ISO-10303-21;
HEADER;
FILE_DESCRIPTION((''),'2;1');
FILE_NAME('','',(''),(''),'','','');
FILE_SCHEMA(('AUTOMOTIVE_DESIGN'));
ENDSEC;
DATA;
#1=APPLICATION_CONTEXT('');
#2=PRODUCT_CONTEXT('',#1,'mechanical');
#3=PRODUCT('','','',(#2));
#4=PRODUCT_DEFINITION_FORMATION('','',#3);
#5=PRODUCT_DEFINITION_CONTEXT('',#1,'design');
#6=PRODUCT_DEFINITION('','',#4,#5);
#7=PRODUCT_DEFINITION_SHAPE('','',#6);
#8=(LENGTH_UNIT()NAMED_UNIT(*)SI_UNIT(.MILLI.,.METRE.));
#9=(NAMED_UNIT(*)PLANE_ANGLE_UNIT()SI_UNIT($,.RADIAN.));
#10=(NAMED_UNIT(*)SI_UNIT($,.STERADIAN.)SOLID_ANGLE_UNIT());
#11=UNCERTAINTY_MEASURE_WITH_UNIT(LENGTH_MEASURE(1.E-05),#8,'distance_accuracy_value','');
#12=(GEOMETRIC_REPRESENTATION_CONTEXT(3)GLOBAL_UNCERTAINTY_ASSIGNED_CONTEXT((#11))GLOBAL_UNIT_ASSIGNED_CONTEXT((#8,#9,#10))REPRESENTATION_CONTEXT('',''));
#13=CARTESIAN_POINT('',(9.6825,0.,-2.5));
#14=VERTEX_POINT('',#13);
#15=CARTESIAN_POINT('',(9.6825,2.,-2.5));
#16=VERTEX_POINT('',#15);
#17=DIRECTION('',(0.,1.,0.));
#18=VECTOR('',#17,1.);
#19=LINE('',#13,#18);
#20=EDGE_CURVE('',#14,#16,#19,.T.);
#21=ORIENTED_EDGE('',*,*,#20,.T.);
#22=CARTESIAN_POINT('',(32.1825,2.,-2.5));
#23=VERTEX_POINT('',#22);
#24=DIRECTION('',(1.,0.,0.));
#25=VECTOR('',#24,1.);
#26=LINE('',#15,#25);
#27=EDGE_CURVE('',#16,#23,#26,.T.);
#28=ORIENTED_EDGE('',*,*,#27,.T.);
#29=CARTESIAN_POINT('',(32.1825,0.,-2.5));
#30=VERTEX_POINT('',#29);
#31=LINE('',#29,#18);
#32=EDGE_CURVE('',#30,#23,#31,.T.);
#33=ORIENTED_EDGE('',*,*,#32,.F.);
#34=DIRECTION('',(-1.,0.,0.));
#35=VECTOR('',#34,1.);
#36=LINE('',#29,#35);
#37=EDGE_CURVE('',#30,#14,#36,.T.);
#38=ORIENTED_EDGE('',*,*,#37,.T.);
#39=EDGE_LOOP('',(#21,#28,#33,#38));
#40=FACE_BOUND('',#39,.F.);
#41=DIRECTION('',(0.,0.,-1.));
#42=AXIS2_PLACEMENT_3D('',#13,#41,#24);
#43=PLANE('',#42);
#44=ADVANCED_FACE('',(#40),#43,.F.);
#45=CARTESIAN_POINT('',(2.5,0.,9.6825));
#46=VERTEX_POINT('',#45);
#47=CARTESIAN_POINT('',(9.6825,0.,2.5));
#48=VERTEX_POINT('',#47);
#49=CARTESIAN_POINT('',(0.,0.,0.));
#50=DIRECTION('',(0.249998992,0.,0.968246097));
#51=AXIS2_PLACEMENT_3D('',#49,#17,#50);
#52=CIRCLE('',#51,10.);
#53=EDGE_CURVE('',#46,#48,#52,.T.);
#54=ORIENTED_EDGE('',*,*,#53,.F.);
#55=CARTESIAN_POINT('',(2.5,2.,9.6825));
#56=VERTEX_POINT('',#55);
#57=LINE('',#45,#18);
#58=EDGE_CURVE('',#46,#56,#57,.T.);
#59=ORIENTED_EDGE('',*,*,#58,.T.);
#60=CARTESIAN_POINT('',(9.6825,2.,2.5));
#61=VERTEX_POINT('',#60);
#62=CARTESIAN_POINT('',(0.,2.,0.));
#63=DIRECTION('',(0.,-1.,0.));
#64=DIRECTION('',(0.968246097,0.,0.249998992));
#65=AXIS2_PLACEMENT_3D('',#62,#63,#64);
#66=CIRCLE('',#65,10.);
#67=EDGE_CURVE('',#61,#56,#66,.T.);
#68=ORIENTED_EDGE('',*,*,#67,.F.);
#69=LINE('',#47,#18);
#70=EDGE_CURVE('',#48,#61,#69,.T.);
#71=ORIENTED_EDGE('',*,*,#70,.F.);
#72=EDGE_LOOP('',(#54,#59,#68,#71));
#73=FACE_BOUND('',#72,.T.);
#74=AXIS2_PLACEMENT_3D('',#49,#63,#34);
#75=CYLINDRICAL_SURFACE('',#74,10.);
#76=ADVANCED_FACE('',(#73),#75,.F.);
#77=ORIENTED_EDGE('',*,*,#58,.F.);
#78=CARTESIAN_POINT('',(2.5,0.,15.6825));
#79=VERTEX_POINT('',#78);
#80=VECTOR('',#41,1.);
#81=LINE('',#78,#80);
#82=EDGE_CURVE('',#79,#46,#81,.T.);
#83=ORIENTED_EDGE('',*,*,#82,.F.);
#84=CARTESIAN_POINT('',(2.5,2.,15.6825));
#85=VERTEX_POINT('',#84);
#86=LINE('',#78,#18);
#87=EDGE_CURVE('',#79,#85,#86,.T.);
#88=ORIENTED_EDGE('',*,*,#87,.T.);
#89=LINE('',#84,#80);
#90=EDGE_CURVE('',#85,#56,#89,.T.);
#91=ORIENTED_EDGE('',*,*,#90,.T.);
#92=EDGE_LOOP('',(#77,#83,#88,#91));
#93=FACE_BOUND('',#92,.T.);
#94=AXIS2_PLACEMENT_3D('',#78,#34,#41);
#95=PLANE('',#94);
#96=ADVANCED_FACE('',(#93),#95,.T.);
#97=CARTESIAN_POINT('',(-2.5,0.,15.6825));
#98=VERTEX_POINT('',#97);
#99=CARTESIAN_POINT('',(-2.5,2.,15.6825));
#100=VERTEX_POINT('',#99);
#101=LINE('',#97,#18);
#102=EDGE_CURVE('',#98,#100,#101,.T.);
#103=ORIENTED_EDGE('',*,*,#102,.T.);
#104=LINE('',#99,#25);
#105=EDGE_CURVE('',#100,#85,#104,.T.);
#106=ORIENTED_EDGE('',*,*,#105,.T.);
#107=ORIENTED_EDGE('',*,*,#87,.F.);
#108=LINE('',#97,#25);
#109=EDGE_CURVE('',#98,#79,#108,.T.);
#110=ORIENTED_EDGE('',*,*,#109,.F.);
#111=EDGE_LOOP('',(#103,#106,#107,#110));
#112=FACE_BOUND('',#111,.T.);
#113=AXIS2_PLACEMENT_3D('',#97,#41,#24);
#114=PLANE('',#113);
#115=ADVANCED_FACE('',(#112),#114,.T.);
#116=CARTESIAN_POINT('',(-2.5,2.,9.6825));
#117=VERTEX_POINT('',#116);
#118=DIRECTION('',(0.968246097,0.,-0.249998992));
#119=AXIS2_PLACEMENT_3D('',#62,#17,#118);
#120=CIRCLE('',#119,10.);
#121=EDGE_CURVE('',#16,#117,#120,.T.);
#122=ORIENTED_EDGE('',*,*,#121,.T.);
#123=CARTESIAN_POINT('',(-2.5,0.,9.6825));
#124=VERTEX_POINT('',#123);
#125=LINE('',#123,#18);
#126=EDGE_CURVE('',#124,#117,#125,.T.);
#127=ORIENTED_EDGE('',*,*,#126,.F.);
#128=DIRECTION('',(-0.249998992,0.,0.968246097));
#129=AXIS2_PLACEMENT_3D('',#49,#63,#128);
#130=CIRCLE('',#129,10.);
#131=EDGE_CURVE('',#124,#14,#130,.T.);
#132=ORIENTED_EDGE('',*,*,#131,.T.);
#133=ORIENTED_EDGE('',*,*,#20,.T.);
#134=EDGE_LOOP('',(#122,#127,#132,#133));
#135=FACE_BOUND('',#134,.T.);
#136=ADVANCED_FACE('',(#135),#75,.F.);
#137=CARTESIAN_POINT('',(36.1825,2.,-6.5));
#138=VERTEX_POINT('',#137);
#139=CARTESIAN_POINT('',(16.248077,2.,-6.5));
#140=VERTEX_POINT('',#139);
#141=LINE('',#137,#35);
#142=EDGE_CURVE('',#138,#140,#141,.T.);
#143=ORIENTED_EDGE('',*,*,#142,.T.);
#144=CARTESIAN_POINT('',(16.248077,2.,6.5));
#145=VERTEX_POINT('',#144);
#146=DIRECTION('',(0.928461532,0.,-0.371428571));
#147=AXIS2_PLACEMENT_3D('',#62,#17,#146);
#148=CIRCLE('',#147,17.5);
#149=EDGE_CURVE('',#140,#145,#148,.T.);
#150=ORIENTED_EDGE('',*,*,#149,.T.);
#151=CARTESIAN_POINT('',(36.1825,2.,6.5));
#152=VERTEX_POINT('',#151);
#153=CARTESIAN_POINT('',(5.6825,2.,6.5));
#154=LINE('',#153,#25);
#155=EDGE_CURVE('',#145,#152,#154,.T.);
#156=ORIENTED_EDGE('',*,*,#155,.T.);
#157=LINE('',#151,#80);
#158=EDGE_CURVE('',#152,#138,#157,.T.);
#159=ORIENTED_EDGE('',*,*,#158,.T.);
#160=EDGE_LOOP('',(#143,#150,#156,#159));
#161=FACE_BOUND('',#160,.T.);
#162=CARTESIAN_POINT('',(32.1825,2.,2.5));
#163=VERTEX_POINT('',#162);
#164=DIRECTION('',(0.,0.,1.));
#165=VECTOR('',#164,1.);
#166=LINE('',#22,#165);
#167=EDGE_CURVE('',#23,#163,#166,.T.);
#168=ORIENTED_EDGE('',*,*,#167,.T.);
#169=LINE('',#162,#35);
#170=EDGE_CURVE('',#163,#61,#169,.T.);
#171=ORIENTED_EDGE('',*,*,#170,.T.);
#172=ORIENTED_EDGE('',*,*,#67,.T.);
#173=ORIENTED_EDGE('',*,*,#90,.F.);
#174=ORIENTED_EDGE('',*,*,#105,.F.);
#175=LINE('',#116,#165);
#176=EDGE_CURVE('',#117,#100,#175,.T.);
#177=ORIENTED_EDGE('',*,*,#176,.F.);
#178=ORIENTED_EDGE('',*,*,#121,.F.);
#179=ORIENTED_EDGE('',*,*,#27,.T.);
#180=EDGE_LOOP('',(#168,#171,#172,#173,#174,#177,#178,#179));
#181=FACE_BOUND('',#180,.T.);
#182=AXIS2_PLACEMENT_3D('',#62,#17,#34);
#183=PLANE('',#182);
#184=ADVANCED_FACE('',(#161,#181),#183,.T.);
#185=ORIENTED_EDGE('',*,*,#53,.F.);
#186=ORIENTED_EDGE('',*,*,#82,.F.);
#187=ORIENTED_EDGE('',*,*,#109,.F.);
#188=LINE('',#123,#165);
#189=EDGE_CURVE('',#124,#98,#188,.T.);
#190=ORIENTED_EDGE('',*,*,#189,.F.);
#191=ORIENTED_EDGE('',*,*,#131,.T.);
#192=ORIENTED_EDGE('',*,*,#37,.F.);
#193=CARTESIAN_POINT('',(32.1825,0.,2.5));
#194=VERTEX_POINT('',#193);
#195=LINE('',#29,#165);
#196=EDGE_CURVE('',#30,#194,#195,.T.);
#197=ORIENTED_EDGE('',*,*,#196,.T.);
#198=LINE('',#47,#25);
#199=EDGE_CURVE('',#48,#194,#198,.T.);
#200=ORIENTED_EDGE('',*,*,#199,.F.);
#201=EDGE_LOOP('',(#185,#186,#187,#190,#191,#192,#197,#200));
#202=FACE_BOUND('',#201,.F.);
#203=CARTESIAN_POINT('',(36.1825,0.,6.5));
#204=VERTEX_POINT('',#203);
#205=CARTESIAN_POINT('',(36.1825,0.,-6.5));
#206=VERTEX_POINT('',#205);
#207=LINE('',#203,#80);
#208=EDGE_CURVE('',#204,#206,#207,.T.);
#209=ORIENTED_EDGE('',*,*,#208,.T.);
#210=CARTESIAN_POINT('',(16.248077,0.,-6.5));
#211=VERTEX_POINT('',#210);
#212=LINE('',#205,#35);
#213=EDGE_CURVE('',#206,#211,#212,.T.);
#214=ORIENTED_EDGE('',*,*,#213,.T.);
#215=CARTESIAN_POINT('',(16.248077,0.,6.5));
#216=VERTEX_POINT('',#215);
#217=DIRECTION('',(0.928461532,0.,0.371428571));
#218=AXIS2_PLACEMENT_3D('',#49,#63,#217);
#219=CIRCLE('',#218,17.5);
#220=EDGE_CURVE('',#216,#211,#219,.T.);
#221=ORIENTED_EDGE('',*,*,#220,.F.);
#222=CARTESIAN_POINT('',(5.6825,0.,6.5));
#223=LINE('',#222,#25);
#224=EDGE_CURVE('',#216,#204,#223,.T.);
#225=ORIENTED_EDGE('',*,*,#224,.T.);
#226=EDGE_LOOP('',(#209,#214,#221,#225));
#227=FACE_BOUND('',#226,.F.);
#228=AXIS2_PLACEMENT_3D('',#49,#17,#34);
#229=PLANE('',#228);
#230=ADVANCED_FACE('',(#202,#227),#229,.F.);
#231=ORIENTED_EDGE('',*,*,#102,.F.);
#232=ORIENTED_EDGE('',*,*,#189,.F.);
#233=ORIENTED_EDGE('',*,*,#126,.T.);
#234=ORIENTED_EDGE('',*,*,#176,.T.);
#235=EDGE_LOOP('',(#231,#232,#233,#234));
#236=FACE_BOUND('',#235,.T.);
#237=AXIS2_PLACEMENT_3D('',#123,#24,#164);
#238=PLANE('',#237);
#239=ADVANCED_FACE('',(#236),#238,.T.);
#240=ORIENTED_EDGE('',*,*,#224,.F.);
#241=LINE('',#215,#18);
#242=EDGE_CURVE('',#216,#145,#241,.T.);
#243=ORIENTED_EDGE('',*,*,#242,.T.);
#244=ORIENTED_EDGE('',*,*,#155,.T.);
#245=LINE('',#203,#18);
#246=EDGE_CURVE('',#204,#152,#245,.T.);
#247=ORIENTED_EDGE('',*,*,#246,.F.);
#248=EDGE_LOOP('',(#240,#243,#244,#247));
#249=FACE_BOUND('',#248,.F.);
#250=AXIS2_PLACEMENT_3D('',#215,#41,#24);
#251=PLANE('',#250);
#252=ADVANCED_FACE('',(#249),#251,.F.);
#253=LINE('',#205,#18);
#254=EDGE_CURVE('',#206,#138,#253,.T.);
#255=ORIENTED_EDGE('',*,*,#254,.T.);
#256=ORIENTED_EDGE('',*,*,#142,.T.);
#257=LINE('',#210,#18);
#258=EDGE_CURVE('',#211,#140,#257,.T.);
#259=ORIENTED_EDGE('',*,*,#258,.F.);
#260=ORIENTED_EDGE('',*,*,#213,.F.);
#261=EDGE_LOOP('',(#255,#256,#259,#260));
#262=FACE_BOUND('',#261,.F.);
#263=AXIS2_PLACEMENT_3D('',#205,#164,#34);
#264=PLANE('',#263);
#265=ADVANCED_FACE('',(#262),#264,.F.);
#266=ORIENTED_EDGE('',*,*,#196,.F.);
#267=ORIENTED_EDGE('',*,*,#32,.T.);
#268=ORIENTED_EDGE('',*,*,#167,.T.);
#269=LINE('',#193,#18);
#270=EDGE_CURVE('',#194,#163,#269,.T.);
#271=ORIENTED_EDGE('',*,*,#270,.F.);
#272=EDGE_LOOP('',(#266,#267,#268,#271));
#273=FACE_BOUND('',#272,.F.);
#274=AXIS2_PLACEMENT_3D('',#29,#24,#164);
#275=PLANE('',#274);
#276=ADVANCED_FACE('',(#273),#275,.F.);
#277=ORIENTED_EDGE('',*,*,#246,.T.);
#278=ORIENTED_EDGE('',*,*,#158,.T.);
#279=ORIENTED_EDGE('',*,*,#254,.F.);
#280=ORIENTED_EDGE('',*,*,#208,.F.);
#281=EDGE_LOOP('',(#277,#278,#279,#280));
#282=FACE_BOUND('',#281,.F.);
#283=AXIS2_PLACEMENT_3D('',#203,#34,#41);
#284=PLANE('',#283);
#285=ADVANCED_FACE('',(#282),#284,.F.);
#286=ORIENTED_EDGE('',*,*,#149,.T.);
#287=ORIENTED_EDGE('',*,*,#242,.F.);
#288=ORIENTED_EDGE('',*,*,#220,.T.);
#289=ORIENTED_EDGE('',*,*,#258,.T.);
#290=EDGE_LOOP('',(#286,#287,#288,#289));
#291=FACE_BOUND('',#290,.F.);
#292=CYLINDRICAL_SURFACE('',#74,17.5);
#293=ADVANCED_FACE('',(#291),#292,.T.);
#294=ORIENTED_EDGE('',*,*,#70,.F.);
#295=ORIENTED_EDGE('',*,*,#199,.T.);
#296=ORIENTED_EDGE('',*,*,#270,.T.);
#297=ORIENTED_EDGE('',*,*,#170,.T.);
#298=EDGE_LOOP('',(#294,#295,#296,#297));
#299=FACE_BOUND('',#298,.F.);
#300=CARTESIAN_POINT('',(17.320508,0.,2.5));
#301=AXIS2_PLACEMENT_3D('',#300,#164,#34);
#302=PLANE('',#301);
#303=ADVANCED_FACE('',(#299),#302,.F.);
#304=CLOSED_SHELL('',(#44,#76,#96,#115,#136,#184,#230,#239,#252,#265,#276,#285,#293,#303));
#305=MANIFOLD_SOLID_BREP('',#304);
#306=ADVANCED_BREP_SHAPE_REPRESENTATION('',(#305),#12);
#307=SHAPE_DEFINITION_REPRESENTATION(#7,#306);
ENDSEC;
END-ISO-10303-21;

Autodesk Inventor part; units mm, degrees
ref_plane "YZ Plane" through (0, 0, 0) normal (1, 0, 0) x (0, 1, 0)
ref_plane "XZ Plane" through (0, 0, 0) normal (0, 1, 0) x (-1, 0, 0)
ref_plane "XY Plane" through (0, 0, 0) normal (0, 0, 1) x (1, 0, 0)
sketch "Esquisse1" plane through (0, 0, 0) normal (0, 1, 0) x (-1, 0, 0)
  circle A0 centre (0, 0) radius 10
  circle A1 centre (0, 0) radius 17.5
  line L0 (2.5, 15.6825) -> (-2.5, 15.6825)
  line L1 (-2.5, 15.6825) -> (-2.5, 9.6825)
  line L2 (-2.5, 9.6825) -> (2.5, 9.6825)
  line L3 (2.5, 9.6825) -> (2.5, 15.6825)
  line L4 (-32.1825, 2.5) -> (-9.6825, 2.5)
  line L5 (-9.6825, 2.5) -> (-9.6825, -2.5)
  line L6 (-9.6825, -2.5) -> (-32.1825, -2.5)
  line L7 (-32.1825, -2.5) -> (-32.1825, 2.5)
  line L8 (-36.1825, -6.5) -> (-5.6825, -6.5)
  line L9 (-5.6825, -6.5) -> (-5.6825, 6.5)
  line L10 (-5.6825, 6.5) -> (-36.1825, 6.5)
  line L11 (-36.1825, 6.5) -> (-36.1825, -6.5)
  point P0 (-16.2481, -6.5)
  point P1 (-16.2481, 6.5)
  dimension "d0" = 20
  dimension "d1" = 35
  dimension "d2" = 5
  dimension "d3" = 6
  dimension "d4" = 5
  dimension "d5" = 22.5
  dimension "d6" = 4
extrude "Extrusion1" add sketch "Esquisse1" along normal blind 2 contours A0 L3 L0 L1 L10 A1 L8 | L8 A1 L6 A0 | L8 L11 L10 A1 L4 L7 L6 | A0 L4 A1 L10
properties part number "Pièce_maintient_test_4.1"
